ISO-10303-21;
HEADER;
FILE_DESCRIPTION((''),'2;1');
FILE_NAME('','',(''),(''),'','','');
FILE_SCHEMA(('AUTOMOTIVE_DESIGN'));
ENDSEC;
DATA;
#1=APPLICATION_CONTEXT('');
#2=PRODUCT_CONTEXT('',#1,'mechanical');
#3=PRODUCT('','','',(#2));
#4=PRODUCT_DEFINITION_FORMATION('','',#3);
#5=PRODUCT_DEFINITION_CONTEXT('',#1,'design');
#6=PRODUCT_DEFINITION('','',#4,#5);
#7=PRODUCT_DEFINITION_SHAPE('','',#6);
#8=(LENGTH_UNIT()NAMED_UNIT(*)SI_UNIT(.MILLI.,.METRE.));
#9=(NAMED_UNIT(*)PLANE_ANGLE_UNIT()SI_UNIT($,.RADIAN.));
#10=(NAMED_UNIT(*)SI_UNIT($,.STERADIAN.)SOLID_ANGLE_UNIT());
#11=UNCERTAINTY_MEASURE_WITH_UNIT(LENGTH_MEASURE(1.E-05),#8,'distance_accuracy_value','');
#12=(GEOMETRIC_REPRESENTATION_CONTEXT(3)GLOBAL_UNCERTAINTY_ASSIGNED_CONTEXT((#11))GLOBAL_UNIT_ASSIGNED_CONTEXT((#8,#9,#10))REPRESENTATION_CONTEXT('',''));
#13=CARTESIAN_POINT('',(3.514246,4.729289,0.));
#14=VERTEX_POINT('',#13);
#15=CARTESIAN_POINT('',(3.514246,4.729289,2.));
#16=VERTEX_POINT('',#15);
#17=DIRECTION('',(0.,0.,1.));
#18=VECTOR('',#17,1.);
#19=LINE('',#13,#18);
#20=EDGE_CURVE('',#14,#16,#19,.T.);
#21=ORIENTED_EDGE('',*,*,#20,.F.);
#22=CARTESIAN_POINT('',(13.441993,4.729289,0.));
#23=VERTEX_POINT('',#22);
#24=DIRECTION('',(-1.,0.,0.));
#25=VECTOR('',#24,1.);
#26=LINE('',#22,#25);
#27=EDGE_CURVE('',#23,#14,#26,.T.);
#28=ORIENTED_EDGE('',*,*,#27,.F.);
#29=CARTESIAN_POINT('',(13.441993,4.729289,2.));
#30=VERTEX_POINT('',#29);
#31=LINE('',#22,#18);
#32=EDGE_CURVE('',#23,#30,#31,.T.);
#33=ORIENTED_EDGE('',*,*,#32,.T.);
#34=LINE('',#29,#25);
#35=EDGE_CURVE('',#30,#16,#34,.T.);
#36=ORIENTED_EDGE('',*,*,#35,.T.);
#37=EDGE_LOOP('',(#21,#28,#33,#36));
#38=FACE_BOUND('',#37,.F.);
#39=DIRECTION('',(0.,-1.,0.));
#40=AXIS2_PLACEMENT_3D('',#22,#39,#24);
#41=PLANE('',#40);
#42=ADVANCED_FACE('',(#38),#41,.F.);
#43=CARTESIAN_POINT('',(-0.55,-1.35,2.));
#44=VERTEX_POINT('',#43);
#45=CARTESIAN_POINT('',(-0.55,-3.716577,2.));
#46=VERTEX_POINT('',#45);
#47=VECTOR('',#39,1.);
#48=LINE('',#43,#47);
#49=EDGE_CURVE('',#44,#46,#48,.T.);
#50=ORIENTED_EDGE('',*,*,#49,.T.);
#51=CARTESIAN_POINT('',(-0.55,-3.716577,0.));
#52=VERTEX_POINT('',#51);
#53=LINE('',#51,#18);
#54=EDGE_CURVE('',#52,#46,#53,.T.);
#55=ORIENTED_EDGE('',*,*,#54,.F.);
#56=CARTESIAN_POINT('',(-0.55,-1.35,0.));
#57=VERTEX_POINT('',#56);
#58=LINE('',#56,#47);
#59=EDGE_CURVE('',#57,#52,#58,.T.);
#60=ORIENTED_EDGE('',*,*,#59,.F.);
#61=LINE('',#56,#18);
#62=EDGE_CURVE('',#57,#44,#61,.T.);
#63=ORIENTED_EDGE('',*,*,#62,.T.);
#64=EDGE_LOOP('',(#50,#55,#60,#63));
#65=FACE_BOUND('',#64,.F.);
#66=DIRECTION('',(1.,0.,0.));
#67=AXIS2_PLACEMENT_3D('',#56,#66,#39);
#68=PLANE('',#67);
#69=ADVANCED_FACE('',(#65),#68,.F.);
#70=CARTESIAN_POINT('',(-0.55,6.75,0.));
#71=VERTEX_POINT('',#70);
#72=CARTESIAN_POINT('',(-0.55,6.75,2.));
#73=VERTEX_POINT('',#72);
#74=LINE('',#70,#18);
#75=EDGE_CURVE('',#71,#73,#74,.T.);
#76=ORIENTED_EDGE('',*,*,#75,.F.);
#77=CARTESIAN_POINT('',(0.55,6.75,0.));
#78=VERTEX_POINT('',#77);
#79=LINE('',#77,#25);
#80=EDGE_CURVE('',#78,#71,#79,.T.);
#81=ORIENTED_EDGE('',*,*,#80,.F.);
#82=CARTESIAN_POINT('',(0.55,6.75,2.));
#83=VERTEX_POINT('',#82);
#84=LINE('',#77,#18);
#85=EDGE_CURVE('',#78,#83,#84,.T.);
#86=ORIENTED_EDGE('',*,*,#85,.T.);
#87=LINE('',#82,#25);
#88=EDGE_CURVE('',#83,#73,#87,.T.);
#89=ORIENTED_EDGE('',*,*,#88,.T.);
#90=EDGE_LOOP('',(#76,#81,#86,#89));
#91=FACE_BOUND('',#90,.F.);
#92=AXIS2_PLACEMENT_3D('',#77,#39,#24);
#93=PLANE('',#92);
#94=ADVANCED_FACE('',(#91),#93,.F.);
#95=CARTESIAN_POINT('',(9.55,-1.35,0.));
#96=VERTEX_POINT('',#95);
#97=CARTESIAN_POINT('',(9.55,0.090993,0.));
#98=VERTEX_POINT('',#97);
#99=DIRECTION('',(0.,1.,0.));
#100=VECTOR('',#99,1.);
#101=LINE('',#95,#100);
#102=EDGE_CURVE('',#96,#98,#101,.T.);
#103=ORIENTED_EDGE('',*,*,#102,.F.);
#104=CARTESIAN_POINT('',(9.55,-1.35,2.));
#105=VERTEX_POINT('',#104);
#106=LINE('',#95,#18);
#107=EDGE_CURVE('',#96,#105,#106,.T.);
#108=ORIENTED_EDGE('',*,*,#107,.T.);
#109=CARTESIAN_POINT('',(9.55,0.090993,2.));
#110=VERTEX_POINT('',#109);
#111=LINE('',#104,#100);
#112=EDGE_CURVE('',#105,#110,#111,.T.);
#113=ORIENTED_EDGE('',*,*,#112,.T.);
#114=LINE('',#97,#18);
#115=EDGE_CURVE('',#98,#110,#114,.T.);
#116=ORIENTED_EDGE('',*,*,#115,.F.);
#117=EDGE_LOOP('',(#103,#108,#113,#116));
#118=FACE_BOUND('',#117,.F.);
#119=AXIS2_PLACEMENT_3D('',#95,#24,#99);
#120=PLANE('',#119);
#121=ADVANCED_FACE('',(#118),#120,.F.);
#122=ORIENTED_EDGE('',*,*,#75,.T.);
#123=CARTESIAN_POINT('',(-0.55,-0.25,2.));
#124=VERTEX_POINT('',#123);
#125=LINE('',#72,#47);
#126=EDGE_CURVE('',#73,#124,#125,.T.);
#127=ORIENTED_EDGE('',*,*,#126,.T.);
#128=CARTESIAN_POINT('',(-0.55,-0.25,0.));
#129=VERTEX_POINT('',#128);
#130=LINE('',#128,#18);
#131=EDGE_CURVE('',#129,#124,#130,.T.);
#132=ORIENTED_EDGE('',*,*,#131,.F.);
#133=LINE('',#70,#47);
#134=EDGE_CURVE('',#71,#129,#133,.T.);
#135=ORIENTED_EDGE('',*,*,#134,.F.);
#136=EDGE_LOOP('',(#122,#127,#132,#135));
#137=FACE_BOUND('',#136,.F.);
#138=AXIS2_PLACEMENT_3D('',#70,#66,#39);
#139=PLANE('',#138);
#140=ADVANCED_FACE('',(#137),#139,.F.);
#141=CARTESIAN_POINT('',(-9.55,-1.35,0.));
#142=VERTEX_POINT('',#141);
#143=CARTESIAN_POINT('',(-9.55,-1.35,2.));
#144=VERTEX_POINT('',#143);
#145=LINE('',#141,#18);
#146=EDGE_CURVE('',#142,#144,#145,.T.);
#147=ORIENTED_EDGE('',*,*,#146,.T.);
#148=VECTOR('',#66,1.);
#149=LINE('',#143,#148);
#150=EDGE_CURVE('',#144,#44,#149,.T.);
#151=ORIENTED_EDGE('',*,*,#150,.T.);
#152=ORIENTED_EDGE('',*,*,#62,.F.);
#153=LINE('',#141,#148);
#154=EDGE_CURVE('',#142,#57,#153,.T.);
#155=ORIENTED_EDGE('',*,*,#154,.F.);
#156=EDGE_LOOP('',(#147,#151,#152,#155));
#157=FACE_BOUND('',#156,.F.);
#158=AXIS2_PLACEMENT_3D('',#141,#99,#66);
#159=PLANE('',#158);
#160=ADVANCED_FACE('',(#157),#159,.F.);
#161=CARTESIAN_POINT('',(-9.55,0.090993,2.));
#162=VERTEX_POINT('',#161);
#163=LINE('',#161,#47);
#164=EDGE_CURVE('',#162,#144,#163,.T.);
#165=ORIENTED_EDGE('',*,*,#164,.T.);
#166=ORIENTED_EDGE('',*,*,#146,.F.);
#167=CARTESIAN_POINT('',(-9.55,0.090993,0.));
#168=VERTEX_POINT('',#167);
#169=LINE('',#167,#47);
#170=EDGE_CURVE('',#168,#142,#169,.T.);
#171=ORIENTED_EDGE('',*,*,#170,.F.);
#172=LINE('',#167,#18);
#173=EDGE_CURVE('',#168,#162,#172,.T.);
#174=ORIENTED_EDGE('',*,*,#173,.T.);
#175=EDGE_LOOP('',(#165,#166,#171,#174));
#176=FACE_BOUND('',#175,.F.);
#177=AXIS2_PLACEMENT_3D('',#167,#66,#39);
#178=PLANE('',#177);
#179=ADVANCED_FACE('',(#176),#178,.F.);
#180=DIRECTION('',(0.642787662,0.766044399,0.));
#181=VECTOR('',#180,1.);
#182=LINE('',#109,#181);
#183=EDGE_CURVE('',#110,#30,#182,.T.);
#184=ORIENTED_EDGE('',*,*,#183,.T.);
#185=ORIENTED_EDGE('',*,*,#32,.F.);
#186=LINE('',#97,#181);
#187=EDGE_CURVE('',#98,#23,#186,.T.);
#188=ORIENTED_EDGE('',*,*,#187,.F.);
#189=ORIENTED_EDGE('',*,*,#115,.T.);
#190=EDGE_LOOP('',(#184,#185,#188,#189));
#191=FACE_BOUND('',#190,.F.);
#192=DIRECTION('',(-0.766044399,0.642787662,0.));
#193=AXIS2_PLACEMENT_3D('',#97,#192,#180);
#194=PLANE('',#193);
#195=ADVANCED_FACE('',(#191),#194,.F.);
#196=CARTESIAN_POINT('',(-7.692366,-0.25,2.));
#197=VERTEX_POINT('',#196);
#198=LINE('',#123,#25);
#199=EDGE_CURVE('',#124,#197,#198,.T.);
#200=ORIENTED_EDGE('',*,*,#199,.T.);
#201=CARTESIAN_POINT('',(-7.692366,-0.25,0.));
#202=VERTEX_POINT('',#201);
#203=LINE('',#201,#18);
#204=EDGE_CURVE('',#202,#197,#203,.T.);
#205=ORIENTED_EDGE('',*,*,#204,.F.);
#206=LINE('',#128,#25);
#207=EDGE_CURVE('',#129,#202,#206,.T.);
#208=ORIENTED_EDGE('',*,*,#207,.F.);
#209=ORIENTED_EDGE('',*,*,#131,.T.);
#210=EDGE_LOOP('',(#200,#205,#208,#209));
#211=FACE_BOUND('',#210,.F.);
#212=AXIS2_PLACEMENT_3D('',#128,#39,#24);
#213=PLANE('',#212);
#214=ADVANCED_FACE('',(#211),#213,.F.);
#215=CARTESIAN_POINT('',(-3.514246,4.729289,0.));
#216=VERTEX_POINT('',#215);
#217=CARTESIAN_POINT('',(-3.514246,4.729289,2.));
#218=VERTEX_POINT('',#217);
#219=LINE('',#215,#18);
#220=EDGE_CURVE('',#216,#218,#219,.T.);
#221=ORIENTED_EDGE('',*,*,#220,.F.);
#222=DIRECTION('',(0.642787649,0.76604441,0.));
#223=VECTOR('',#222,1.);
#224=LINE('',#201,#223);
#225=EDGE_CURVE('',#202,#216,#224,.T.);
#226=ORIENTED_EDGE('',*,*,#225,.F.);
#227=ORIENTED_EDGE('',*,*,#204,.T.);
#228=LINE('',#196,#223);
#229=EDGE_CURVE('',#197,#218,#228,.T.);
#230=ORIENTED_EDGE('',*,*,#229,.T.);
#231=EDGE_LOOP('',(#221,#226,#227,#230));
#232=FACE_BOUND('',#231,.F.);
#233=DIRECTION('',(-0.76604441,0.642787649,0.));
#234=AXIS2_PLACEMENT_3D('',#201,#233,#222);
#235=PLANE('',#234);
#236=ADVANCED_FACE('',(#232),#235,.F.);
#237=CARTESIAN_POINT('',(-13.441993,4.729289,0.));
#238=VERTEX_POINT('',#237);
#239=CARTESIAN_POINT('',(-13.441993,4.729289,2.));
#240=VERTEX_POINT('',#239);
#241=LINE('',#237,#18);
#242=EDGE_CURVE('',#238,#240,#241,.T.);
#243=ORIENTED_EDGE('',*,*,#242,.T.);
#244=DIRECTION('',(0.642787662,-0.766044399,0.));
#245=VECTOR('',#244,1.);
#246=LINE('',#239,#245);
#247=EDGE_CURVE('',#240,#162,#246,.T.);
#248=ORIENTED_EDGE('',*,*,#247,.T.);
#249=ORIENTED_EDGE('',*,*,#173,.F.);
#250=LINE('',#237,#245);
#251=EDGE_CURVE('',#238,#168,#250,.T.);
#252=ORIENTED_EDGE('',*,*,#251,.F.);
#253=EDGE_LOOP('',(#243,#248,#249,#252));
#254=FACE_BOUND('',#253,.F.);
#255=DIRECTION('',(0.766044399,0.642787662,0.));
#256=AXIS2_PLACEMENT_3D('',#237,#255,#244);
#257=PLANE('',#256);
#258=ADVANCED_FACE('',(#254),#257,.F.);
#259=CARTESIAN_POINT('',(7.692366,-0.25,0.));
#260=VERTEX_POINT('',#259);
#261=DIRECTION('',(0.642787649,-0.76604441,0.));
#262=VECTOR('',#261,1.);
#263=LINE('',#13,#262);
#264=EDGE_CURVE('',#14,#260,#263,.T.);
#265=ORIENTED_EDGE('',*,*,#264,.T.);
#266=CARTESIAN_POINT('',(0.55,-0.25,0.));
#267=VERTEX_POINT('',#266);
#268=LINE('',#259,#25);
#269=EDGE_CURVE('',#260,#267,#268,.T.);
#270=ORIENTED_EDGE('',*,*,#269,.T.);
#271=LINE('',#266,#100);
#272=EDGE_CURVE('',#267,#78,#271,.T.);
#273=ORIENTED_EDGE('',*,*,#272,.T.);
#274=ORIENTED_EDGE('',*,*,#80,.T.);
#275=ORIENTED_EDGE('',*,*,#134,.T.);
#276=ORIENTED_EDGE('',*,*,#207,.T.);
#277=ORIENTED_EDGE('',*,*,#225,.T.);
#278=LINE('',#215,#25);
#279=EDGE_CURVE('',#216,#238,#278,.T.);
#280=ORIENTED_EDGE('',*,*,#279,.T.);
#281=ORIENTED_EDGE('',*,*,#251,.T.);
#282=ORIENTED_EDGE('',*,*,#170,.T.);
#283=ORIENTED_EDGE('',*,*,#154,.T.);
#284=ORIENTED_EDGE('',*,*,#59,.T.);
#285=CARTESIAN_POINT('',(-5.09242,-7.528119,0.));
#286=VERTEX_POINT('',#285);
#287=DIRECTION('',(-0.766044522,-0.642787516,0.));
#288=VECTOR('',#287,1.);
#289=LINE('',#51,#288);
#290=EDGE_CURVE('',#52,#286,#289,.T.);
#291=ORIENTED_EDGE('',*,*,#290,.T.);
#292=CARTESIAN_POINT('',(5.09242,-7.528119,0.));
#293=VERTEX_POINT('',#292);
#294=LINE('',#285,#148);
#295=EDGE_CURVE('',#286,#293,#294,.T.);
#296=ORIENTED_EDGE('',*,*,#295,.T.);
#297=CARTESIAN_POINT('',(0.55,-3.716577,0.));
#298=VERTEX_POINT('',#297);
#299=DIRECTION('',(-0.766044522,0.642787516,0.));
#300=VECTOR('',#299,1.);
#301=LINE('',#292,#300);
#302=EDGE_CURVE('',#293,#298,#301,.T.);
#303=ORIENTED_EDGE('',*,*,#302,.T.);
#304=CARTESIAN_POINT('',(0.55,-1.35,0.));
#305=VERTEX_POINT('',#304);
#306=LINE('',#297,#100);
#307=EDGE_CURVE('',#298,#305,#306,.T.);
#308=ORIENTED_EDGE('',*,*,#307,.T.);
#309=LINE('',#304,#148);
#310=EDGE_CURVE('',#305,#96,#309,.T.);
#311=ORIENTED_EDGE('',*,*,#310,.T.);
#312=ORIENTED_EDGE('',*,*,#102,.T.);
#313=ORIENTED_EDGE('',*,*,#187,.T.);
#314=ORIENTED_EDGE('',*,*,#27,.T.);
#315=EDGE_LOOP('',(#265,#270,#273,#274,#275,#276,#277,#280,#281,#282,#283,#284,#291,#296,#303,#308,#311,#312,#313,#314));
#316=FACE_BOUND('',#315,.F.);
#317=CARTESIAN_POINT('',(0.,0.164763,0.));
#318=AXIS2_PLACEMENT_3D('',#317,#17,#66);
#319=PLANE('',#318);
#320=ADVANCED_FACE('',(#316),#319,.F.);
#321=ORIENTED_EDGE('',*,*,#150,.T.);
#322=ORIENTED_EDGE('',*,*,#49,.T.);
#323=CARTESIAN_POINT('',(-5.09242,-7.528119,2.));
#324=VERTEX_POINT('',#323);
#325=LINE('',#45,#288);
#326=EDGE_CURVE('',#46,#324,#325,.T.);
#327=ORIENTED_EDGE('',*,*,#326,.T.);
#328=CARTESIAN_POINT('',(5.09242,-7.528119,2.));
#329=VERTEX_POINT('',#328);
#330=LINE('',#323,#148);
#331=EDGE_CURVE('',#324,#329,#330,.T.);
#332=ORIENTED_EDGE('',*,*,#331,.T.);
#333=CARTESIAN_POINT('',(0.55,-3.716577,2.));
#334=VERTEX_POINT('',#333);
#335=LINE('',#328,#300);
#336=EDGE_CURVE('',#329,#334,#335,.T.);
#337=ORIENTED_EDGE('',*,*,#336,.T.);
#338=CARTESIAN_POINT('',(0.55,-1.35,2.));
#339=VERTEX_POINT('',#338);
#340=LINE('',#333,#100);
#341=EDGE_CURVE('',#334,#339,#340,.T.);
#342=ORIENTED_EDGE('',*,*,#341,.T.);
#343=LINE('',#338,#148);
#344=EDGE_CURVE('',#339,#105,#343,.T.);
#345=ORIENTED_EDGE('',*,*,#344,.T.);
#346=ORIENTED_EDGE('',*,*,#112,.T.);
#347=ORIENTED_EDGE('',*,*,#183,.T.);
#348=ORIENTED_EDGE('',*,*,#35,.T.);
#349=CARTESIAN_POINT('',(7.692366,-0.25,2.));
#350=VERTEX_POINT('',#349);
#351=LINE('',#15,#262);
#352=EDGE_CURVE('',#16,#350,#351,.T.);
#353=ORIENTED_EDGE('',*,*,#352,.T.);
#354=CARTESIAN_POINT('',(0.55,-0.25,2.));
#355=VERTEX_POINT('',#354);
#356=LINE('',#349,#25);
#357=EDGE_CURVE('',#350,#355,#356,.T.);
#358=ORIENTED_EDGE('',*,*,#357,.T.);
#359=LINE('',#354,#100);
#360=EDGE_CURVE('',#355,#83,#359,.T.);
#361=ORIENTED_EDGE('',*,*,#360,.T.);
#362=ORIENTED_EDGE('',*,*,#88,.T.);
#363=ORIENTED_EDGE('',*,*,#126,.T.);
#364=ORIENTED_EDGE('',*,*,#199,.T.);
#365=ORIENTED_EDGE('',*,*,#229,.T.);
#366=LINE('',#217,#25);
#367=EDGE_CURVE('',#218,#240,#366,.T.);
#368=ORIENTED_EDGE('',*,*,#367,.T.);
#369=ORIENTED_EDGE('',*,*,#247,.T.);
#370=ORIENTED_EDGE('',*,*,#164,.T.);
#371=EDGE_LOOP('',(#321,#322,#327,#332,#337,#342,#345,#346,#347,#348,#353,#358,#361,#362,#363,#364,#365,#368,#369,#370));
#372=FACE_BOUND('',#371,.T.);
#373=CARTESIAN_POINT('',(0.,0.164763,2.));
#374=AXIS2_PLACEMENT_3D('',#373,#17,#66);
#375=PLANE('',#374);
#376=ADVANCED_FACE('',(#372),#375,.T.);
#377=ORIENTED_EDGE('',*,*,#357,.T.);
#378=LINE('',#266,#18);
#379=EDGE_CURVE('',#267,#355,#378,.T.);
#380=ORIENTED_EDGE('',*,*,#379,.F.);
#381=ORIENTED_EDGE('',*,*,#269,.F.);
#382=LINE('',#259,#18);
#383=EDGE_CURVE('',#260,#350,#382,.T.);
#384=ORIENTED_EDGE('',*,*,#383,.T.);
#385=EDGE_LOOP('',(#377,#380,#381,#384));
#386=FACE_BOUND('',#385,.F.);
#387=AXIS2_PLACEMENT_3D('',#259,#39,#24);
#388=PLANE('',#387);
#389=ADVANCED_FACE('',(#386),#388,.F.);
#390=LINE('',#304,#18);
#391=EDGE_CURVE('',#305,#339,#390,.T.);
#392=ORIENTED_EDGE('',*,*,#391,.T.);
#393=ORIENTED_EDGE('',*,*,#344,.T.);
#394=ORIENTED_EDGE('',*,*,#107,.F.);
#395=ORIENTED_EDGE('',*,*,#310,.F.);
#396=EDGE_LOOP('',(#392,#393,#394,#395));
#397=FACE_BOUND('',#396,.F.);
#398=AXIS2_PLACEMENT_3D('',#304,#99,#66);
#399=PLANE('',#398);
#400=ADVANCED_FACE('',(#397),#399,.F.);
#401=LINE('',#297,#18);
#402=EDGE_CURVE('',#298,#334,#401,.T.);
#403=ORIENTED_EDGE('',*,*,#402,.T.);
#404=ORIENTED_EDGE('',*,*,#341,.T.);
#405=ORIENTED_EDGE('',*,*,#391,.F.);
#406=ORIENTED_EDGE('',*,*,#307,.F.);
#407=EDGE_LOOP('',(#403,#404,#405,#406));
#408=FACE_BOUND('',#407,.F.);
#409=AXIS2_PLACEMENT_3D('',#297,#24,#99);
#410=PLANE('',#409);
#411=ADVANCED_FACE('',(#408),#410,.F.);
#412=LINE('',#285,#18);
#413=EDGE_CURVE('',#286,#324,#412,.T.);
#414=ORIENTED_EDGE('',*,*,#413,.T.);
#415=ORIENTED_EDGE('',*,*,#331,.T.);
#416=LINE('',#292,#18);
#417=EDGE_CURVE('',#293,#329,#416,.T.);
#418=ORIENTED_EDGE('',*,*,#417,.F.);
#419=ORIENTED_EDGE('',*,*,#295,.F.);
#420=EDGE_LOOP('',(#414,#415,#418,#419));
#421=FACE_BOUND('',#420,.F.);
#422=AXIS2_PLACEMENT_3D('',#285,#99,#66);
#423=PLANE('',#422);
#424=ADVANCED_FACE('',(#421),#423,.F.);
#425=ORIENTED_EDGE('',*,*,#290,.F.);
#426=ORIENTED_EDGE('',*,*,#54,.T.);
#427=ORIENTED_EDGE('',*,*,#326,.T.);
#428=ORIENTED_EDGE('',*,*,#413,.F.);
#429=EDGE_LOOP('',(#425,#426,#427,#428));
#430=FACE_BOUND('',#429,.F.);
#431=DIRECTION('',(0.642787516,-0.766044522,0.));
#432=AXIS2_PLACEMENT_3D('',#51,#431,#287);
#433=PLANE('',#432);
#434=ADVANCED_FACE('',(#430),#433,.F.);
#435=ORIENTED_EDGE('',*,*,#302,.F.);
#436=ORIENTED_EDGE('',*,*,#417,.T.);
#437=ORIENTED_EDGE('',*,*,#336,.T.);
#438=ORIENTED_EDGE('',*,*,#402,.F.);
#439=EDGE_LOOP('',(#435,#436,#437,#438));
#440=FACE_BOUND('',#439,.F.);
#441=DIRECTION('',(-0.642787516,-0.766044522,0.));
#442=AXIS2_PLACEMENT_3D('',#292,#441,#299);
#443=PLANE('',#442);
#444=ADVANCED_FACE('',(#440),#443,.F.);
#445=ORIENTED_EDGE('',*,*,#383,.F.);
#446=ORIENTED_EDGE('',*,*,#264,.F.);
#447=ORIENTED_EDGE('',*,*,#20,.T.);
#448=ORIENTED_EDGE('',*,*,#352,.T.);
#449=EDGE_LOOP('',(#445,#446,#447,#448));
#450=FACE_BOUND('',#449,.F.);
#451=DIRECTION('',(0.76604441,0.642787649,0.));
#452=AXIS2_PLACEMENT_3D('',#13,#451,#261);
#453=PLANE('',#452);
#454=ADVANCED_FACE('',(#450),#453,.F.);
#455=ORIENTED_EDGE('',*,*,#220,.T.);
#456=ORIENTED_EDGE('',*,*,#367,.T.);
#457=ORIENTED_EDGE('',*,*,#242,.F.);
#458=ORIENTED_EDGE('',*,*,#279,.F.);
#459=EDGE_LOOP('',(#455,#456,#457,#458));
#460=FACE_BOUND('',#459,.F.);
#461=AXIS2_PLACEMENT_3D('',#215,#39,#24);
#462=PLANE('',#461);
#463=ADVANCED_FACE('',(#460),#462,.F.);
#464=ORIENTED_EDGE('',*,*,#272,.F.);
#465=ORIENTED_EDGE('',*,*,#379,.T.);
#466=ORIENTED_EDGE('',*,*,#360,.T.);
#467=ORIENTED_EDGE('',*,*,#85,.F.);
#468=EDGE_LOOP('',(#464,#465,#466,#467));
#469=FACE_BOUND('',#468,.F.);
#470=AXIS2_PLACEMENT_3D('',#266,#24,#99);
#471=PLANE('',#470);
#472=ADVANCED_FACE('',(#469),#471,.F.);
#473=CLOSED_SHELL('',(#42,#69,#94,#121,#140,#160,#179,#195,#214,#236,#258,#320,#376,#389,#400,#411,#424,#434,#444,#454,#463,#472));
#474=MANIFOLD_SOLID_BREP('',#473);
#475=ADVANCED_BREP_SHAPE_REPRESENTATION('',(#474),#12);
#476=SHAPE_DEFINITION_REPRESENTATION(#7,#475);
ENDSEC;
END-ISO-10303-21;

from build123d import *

# Parameters (mm, degrees)
F1_DEPTH = 2


with BuildPart() as f1:
    # F0 (on Top) → F1 (new body)
    with BuildSketch(Plane.XY):
        Polygon((-9.55, 0.090993), (-9.55, -1.35), (-0.55, -1.35), (-0.55, -3.716577), (-5.09242, -7.528119), (0, -7.528119), (5.09242, -7.528119), (0.55, -3.716577), (0.55, -1.35), (9.55, -1.35), (9.55, 0.090993), (13.441993, 4.729289), (3.514246, 4.729289), (7.692366, -0.25), (0.55, -0.25), (0.55, 6.75), (0, 6.75), (-0.55, 6.75), (-0.55, -0.25), (-7.692366, -0.25), (-3.514246, 4.729289), (-13.441993, 4.729289), align=None)
    extrude(amount=F1_DEPTH)


solid = f1.part
